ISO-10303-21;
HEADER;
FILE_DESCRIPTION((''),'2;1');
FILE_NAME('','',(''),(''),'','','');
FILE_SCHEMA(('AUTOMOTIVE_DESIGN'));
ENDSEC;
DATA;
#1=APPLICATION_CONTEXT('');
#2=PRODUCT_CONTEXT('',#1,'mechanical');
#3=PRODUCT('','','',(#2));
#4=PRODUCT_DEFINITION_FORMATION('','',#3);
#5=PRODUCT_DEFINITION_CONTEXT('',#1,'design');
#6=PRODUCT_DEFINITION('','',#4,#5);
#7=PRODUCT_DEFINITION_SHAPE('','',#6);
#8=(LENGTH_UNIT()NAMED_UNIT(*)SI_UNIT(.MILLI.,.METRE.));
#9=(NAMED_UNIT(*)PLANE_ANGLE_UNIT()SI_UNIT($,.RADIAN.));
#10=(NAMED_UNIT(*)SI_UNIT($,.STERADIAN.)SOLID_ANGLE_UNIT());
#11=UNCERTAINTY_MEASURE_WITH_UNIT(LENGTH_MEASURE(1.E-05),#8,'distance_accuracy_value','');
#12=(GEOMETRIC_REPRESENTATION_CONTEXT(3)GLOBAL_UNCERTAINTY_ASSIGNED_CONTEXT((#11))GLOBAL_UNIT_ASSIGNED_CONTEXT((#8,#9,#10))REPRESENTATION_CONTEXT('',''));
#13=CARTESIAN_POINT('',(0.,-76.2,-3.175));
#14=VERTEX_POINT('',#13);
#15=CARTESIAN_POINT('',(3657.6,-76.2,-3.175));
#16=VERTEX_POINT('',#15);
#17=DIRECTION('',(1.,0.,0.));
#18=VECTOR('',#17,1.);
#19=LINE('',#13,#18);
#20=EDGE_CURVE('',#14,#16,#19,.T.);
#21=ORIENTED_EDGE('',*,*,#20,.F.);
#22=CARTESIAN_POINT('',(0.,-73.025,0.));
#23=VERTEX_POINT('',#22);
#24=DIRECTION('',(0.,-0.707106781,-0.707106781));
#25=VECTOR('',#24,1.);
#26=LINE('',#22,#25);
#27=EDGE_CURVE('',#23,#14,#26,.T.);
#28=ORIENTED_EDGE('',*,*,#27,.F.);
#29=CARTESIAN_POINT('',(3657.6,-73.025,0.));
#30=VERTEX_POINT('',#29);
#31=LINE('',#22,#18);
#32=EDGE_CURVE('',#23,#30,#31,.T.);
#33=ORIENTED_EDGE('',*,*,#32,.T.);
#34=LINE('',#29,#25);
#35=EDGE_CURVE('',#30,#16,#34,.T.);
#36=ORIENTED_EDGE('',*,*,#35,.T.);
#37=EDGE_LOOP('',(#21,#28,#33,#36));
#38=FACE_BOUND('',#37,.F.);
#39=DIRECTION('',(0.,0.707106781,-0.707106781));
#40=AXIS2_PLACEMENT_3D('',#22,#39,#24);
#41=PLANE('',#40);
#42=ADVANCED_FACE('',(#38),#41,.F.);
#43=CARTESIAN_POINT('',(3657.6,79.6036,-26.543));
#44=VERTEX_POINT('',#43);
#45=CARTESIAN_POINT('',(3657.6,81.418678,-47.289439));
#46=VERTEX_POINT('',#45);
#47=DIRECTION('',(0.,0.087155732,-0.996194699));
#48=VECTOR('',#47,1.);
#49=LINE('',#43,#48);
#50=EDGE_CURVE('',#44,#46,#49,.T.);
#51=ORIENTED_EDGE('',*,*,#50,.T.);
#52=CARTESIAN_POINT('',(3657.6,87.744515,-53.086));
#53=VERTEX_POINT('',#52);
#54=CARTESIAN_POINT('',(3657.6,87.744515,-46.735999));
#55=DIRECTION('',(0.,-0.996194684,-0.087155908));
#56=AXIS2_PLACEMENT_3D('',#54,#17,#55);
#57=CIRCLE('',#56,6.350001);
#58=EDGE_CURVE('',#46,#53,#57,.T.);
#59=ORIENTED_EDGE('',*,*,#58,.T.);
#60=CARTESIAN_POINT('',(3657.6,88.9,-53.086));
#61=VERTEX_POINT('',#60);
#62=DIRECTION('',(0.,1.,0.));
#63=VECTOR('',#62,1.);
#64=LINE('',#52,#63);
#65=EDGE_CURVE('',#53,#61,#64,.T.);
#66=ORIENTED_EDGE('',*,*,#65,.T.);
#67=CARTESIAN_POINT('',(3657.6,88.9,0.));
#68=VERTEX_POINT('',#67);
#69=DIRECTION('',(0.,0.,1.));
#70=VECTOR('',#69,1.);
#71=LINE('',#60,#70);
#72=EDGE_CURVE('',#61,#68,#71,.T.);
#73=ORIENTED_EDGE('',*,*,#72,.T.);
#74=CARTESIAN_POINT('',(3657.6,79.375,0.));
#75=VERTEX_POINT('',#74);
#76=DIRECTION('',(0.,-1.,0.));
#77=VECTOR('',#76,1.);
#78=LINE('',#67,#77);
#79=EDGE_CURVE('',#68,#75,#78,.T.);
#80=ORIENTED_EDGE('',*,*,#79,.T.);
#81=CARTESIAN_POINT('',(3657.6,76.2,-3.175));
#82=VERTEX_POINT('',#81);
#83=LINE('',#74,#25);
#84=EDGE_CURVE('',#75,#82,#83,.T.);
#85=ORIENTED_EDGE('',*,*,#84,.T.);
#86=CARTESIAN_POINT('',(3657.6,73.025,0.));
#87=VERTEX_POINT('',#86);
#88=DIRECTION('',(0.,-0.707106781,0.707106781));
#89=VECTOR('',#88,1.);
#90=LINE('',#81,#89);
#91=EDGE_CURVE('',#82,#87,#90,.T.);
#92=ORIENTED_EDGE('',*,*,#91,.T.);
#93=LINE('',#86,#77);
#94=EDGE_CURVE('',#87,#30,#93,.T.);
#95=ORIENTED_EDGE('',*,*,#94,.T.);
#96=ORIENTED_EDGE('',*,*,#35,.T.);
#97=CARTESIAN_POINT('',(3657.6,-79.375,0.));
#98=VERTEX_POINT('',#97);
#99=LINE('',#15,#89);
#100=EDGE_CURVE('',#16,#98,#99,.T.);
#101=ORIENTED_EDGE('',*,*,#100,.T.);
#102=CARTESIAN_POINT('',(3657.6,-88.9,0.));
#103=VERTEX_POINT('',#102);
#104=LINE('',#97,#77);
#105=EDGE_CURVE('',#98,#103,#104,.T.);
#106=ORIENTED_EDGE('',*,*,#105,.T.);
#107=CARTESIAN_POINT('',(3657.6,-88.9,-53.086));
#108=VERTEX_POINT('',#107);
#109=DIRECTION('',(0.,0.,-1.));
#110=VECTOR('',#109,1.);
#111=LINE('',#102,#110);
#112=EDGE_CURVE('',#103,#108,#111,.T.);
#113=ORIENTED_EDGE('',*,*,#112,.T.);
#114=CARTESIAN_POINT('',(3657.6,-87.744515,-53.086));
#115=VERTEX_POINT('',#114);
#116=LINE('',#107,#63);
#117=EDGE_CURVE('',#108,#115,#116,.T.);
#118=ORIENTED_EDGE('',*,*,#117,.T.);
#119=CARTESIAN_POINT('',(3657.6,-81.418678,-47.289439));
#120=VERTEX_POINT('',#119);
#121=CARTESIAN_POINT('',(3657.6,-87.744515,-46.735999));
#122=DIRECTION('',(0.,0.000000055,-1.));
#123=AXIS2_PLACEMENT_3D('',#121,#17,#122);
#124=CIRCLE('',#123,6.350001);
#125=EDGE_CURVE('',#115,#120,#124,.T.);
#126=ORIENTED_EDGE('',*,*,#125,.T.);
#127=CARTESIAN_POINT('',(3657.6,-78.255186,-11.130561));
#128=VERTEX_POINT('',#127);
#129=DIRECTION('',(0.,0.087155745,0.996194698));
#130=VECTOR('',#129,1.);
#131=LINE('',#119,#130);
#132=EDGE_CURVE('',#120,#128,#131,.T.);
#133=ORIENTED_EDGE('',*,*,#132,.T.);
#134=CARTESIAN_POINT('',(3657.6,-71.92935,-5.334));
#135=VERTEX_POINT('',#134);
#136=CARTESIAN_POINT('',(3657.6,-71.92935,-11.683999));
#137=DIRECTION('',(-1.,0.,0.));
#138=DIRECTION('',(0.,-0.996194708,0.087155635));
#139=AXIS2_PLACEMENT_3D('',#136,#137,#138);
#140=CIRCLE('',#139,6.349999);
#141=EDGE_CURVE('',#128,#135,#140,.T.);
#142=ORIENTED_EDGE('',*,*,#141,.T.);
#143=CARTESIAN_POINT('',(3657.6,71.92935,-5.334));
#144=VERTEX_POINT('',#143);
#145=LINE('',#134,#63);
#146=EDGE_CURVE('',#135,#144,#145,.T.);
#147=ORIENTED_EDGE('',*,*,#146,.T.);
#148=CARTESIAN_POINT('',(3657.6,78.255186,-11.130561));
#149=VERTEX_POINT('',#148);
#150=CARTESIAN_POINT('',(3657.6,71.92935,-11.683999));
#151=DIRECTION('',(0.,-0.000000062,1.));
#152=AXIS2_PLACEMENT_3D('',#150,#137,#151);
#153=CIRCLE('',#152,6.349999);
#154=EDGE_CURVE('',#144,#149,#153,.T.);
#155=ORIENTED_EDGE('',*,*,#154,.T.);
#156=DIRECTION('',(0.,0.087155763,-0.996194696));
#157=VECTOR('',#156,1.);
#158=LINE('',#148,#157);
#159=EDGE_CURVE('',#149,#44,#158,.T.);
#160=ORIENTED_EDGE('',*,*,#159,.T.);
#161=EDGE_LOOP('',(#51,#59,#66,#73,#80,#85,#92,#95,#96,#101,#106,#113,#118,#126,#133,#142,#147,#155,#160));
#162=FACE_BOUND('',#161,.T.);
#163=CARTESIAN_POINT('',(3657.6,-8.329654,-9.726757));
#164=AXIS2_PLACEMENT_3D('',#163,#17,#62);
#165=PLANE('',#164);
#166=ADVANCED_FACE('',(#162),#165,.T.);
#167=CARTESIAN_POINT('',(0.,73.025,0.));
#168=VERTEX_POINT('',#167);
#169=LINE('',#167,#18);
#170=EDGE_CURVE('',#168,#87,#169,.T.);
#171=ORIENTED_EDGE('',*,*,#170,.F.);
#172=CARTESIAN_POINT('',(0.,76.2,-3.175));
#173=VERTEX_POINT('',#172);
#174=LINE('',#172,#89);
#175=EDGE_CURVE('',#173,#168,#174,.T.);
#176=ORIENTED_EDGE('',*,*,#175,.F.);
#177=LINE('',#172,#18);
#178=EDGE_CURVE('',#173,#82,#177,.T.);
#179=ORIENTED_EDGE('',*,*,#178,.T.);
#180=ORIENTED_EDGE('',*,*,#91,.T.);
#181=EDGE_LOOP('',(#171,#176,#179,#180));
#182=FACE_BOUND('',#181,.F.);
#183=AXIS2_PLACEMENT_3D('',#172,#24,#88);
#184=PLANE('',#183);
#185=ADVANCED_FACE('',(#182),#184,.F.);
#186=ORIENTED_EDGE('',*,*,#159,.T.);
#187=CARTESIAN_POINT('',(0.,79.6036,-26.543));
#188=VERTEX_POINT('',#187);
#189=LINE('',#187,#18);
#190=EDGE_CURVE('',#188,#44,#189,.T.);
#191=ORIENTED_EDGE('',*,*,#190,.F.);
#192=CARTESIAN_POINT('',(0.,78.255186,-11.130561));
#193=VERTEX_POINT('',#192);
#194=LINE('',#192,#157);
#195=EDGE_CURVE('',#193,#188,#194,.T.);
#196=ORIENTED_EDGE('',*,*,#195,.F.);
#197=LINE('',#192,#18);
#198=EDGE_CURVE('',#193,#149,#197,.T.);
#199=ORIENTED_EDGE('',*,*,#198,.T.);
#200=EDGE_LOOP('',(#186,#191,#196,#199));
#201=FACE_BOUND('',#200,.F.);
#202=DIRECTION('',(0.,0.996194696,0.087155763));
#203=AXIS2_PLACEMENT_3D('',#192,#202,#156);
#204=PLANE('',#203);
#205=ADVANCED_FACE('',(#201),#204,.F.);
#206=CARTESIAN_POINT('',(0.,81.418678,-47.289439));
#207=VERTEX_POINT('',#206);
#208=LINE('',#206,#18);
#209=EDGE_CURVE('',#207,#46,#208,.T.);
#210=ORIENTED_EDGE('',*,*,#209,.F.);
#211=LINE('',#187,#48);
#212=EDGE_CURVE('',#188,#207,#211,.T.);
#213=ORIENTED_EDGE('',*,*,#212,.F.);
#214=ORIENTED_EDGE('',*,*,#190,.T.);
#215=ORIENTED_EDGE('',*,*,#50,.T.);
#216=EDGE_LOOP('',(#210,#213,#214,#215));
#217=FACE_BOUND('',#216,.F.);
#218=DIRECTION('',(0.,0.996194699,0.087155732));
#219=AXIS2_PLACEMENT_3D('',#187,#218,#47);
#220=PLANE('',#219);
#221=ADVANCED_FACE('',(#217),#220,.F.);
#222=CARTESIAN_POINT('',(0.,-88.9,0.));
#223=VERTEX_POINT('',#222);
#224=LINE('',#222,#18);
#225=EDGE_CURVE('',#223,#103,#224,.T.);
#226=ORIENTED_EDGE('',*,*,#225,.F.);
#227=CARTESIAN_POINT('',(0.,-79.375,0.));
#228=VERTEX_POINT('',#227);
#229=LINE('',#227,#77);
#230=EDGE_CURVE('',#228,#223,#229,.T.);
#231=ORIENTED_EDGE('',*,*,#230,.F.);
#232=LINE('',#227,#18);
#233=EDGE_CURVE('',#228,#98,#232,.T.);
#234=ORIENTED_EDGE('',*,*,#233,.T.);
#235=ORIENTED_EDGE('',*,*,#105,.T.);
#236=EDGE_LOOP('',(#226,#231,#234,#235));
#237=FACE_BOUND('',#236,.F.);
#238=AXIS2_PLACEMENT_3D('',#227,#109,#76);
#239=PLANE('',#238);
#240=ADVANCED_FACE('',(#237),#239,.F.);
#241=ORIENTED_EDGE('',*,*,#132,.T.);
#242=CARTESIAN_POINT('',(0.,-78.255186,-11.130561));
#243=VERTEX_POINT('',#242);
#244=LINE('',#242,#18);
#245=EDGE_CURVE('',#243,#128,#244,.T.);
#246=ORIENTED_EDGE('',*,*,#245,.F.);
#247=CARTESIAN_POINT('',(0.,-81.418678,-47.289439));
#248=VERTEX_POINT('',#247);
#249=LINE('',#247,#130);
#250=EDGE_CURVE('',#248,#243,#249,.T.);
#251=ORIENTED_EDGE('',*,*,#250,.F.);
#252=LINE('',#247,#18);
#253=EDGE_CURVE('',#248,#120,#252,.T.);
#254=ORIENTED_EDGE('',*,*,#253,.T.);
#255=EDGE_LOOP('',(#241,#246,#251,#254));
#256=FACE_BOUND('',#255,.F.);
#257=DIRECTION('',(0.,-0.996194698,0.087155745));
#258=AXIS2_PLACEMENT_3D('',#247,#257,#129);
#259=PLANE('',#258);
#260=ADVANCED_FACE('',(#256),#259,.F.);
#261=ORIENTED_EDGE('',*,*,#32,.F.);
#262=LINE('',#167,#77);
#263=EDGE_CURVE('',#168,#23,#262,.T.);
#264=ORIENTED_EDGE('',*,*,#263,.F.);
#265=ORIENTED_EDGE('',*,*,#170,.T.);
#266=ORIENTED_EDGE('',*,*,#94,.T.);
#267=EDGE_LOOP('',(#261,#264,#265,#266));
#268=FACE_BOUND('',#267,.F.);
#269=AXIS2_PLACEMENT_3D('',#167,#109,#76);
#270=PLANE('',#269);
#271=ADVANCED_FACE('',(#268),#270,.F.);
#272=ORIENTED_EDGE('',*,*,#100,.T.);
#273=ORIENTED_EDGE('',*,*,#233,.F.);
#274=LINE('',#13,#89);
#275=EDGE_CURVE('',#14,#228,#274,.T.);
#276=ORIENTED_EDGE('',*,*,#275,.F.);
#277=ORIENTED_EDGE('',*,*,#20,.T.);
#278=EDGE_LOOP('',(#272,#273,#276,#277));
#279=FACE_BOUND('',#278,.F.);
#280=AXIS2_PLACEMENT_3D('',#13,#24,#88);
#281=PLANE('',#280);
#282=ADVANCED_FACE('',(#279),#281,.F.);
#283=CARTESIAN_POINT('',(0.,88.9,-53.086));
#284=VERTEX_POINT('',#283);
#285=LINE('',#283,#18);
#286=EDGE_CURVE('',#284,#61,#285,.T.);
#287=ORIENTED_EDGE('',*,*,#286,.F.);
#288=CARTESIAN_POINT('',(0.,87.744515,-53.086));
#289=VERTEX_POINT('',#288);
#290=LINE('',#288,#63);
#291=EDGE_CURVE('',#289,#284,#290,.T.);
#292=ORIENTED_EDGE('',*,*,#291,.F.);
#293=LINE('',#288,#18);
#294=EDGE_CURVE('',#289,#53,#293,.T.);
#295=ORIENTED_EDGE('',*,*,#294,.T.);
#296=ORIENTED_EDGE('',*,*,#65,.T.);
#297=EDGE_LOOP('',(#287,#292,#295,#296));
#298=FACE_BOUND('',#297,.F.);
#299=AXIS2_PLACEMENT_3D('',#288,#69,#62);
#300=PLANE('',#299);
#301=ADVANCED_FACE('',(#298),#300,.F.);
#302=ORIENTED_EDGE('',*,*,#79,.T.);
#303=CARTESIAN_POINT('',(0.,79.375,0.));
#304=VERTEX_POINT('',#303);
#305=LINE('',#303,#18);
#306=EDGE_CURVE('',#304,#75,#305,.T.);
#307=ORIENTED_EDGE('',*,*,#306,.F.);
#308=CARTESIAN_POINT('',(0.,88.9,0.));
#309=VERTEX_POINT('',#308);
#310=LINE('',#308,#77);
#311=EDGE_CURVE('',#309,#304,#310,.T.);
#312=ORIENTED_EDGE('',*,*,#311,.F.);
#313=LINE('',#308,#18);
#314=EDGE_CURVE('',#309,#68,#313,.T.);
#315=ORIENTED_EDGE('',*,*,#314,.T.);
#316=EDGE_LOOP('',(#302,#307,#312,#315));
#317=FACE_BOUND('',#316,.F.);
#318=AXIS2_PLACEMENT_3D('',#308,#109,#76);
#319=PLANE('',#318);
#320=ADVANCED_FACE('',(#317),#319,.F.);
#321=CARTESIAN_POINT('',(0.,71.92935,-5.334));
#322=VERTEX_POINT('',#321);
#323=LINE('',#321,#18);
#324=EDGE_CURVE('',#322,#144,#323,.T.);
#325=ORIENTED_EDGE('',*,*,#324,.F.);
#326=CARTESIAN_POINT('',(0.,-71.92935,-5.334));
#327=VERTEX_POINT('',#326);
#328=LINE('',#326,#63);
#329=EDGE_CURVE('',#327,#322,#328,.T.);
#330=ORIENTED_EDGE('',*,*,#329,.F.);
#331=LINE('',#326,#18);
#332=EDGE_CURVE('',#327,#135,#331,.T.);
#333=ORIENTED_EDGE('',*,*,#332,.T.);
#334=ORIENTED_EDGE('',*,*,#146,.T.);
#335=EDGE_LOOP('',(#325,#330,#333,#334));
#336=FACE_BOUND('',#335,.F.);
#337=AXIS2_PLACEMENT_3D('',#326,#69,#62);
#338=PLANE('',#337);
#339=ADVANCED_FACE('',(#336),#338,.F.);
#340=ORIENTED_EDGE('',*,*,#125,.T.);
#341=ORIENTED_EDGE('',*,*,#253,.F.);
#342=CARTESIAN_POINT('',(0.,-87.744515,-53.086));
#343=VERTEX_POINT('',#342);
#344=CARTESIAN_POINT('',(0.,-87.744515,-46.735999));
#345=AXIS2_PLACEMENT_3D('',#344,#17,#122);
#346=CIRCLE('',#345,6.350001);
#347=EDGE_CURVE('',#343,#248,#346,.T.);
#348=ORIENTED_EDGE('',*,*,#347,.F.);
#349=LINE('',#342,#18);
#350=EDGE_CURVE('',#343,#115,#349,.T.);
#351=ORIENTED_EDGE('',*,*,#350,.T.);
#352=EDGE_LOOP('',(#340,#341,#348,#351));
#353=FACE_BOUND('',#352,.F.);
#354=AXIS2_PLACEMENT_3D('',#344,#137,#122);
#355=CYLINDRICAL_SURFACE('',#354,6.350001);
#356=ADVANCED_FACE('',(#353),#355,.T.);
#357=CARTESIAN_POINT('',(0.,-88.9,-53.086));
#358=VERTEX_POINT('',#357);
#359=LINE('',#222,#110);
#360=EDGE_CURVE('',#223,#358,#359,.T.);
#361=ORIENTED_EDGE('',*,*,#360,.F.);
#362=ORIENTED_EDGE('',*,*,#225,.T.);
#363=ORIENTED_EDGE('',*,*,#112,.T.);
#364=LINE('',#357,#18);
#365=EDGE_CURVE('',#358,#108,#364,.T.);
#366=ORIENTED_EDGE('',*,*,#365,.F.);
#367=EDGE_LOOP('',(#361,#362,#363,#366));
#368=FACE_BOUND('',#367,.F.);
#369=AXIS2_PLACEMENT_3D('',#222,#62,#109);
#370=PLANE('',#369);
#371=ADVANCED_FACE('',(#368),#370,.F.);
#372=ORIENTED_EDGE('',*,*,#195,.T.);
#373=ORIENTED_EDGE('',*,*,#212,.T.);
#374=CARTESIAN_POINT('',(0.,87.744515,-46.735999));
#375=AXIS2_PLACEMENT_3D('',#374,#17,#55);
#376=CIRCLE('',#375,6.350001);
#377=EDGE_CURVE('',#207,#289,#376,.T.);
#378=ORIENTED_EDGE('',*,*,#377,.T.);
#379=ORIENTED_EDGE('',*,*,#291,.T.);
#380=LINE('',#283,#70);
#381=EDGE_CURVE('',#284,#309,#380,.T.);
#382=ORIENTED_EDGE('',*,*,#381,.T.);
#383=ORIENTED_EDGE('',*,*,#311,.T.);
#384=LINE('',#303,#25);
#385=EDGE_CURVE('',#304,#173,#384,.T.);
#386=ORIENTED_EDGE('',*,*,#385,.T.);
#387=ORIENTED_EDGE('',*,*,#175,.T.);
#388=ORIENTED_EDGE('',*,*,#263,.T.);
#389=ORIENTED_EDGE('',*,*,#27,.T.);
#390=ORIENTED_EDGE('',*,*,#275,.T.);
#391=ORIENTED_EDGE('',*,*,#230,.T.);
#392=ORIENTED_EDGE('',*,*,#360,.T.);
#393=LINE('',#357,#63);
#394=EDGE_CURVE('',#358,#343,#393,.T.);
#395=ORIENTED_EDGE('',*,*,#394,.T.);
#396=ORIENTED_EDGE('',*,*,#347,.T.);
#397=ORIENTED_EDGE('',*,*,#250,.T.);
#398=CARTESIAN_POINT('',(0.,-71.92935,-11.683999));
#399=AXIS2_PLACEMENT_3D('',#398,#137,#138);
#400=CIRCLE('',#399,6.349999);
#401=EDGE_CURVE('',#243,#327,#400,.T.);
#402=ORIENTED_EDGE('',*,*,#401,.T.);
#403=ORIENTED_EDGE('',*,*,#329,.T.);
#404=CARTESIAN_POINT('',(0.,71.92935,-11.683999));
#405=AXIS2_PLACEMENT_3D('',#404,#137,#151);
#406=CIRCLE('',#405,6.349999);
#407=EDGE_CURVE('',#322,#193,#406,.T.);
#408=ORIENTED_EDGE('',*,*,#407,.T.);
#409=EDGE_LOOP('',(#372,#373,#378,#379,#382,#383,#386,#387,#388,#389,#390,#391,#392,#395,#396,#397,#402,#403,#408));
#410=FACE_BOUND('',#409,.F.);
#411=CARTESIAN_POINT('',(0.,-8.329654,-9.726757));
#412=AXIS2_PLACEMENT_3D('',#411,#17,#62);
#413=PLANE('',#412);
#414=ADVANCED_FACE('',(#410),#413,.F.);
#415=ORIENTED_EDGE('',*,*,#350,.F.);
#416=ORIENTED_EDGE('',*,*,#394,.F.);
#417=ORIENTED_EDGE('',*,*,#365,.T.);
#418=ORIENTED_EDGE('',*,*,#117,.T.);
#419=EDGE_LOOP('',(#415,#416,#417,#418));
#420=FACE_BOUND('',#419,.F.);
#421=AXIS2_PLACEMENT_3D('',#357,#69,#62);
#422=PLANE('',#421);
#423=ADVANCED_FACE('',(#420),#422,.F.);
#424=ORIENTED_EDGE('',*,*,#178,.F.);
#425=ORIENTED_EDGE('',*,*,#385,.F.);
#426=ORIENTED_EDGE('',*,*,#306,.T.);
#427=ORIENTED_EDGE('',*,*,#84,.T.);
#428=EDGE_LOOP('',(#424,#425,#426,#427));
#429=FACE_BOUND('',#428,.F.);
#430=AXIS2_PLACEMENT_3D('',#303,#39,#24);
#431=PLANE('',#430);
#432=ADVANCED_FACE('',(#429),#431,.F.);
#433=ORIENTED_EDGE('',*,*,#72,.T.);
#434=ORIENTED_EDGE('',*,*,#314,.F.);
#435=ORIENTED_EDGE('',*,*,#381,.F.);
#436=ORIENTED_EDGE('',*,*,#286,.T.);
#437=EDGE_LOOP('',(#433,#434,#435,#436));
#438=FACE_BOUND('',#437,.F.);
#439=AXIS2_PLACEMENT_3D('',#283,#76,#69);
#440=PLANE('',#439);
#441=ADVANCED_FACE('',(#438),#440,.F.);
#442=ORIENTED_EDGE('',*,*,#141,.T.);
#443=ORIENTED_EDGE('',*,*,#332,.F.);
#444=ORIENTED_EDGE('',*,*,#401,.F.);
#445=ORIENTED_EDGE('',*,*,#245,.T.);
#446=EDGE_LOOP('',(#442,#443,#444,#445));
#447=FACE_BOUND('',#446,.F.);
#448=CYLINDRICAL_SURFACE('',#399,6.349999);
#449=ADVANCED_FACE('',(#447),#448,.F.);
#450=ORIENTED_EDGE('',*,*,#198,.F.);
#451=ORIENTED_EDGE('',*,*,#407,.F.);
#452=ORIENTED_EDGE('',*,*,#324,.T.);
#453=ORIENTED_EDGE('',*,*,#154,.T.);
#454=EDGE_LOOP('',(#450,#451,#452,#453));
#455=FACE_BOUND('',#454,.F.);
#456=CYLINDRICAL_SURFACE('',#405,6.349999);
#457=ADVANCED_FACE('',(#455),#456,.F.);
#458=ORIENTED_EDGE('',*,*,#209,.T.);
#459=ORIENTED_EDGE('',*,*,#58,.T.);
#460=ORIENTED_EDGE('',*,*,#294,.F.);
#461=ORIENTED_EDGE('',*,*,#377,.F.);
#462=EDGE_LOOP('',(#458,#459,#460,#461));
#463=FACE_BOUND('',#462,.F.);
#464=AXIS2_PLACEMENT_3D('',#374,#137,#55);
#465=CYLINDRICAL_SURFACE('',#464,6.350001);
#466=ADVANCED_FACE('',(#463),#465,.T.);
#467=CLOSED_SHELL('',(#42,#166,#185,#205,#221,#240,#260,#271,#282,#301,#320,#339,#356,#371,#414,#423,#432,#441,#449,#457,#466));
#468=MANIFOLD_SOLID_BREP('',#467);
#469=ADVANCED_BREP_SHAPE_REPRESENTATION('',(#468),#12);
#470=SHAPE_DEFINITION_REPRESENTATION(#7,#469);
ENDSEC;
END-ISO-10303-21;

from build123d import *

# Parameters (mm, degrees)
F1_DEPTH = 3657.6


with BuildPart() as f1:
    # F0 (on Right) → F1 (new body)
    with BuildSketch(Plane.YZ):
        with BuildLine():
            Line((88.9, -26.543), (88.9, 0))
            Line((88.9, 0), (79.375, 0))
            Line((79.375, 0), (76.2, -3.175))
            Line((76.2, -3.175), (73.025, 0))
            Line((73.025, 0), (-73.025, 0))
            Line((-73.025, 0), (-76.2, -3.175))
            Line((-76.2, -3.175), (-79.375, 0))
            Line((-79.375, 0), (-88.9, 0))
            Line((-88.9, 0), (-88.9, -53.086))
            Line((-88.9, -53.086), (-87.744515, -53.086))
            ThreePointArc((-87.744515, -53.086), (-83.454517, -51.417711), (-81.418678, -47.289439))
            Line((-81.418678, -47.289439), (-78.255186, -11.130561))
            ThreePointArc((-78.255186, -11.130561), (-76.219348, -7.002289), (-71.92935, -5.334))
            Line((-71.92935, -5.334), (71.92935, -5.334))
            ThreePointArc((71.92935, -5.334), (76.219348, -7.002289), (78.255186, -11.130561))
            Line((78.255186, -11.130561), (79.6036, -26.543))
            Line((79.6036, -26.543), (88.9, -26.543))
        make_face()
        with BuildLine():
            Line((88.9, -53.086), (88.9, -26.543))
            Line((88.9, -26.543), (79.6036, -26.543))
            Line((79.6036, -26.543), (81.418678, -47.289439))
            ThreePointArc((81.418678, -47.289439), (83.454517, -51.417711), (87.744515, -53.086))
            Line((87.744515, -53.086), (88.9, -53.086))
        make_face()
    extrude(amount=F1_DEPTH)


solid = f1.part
